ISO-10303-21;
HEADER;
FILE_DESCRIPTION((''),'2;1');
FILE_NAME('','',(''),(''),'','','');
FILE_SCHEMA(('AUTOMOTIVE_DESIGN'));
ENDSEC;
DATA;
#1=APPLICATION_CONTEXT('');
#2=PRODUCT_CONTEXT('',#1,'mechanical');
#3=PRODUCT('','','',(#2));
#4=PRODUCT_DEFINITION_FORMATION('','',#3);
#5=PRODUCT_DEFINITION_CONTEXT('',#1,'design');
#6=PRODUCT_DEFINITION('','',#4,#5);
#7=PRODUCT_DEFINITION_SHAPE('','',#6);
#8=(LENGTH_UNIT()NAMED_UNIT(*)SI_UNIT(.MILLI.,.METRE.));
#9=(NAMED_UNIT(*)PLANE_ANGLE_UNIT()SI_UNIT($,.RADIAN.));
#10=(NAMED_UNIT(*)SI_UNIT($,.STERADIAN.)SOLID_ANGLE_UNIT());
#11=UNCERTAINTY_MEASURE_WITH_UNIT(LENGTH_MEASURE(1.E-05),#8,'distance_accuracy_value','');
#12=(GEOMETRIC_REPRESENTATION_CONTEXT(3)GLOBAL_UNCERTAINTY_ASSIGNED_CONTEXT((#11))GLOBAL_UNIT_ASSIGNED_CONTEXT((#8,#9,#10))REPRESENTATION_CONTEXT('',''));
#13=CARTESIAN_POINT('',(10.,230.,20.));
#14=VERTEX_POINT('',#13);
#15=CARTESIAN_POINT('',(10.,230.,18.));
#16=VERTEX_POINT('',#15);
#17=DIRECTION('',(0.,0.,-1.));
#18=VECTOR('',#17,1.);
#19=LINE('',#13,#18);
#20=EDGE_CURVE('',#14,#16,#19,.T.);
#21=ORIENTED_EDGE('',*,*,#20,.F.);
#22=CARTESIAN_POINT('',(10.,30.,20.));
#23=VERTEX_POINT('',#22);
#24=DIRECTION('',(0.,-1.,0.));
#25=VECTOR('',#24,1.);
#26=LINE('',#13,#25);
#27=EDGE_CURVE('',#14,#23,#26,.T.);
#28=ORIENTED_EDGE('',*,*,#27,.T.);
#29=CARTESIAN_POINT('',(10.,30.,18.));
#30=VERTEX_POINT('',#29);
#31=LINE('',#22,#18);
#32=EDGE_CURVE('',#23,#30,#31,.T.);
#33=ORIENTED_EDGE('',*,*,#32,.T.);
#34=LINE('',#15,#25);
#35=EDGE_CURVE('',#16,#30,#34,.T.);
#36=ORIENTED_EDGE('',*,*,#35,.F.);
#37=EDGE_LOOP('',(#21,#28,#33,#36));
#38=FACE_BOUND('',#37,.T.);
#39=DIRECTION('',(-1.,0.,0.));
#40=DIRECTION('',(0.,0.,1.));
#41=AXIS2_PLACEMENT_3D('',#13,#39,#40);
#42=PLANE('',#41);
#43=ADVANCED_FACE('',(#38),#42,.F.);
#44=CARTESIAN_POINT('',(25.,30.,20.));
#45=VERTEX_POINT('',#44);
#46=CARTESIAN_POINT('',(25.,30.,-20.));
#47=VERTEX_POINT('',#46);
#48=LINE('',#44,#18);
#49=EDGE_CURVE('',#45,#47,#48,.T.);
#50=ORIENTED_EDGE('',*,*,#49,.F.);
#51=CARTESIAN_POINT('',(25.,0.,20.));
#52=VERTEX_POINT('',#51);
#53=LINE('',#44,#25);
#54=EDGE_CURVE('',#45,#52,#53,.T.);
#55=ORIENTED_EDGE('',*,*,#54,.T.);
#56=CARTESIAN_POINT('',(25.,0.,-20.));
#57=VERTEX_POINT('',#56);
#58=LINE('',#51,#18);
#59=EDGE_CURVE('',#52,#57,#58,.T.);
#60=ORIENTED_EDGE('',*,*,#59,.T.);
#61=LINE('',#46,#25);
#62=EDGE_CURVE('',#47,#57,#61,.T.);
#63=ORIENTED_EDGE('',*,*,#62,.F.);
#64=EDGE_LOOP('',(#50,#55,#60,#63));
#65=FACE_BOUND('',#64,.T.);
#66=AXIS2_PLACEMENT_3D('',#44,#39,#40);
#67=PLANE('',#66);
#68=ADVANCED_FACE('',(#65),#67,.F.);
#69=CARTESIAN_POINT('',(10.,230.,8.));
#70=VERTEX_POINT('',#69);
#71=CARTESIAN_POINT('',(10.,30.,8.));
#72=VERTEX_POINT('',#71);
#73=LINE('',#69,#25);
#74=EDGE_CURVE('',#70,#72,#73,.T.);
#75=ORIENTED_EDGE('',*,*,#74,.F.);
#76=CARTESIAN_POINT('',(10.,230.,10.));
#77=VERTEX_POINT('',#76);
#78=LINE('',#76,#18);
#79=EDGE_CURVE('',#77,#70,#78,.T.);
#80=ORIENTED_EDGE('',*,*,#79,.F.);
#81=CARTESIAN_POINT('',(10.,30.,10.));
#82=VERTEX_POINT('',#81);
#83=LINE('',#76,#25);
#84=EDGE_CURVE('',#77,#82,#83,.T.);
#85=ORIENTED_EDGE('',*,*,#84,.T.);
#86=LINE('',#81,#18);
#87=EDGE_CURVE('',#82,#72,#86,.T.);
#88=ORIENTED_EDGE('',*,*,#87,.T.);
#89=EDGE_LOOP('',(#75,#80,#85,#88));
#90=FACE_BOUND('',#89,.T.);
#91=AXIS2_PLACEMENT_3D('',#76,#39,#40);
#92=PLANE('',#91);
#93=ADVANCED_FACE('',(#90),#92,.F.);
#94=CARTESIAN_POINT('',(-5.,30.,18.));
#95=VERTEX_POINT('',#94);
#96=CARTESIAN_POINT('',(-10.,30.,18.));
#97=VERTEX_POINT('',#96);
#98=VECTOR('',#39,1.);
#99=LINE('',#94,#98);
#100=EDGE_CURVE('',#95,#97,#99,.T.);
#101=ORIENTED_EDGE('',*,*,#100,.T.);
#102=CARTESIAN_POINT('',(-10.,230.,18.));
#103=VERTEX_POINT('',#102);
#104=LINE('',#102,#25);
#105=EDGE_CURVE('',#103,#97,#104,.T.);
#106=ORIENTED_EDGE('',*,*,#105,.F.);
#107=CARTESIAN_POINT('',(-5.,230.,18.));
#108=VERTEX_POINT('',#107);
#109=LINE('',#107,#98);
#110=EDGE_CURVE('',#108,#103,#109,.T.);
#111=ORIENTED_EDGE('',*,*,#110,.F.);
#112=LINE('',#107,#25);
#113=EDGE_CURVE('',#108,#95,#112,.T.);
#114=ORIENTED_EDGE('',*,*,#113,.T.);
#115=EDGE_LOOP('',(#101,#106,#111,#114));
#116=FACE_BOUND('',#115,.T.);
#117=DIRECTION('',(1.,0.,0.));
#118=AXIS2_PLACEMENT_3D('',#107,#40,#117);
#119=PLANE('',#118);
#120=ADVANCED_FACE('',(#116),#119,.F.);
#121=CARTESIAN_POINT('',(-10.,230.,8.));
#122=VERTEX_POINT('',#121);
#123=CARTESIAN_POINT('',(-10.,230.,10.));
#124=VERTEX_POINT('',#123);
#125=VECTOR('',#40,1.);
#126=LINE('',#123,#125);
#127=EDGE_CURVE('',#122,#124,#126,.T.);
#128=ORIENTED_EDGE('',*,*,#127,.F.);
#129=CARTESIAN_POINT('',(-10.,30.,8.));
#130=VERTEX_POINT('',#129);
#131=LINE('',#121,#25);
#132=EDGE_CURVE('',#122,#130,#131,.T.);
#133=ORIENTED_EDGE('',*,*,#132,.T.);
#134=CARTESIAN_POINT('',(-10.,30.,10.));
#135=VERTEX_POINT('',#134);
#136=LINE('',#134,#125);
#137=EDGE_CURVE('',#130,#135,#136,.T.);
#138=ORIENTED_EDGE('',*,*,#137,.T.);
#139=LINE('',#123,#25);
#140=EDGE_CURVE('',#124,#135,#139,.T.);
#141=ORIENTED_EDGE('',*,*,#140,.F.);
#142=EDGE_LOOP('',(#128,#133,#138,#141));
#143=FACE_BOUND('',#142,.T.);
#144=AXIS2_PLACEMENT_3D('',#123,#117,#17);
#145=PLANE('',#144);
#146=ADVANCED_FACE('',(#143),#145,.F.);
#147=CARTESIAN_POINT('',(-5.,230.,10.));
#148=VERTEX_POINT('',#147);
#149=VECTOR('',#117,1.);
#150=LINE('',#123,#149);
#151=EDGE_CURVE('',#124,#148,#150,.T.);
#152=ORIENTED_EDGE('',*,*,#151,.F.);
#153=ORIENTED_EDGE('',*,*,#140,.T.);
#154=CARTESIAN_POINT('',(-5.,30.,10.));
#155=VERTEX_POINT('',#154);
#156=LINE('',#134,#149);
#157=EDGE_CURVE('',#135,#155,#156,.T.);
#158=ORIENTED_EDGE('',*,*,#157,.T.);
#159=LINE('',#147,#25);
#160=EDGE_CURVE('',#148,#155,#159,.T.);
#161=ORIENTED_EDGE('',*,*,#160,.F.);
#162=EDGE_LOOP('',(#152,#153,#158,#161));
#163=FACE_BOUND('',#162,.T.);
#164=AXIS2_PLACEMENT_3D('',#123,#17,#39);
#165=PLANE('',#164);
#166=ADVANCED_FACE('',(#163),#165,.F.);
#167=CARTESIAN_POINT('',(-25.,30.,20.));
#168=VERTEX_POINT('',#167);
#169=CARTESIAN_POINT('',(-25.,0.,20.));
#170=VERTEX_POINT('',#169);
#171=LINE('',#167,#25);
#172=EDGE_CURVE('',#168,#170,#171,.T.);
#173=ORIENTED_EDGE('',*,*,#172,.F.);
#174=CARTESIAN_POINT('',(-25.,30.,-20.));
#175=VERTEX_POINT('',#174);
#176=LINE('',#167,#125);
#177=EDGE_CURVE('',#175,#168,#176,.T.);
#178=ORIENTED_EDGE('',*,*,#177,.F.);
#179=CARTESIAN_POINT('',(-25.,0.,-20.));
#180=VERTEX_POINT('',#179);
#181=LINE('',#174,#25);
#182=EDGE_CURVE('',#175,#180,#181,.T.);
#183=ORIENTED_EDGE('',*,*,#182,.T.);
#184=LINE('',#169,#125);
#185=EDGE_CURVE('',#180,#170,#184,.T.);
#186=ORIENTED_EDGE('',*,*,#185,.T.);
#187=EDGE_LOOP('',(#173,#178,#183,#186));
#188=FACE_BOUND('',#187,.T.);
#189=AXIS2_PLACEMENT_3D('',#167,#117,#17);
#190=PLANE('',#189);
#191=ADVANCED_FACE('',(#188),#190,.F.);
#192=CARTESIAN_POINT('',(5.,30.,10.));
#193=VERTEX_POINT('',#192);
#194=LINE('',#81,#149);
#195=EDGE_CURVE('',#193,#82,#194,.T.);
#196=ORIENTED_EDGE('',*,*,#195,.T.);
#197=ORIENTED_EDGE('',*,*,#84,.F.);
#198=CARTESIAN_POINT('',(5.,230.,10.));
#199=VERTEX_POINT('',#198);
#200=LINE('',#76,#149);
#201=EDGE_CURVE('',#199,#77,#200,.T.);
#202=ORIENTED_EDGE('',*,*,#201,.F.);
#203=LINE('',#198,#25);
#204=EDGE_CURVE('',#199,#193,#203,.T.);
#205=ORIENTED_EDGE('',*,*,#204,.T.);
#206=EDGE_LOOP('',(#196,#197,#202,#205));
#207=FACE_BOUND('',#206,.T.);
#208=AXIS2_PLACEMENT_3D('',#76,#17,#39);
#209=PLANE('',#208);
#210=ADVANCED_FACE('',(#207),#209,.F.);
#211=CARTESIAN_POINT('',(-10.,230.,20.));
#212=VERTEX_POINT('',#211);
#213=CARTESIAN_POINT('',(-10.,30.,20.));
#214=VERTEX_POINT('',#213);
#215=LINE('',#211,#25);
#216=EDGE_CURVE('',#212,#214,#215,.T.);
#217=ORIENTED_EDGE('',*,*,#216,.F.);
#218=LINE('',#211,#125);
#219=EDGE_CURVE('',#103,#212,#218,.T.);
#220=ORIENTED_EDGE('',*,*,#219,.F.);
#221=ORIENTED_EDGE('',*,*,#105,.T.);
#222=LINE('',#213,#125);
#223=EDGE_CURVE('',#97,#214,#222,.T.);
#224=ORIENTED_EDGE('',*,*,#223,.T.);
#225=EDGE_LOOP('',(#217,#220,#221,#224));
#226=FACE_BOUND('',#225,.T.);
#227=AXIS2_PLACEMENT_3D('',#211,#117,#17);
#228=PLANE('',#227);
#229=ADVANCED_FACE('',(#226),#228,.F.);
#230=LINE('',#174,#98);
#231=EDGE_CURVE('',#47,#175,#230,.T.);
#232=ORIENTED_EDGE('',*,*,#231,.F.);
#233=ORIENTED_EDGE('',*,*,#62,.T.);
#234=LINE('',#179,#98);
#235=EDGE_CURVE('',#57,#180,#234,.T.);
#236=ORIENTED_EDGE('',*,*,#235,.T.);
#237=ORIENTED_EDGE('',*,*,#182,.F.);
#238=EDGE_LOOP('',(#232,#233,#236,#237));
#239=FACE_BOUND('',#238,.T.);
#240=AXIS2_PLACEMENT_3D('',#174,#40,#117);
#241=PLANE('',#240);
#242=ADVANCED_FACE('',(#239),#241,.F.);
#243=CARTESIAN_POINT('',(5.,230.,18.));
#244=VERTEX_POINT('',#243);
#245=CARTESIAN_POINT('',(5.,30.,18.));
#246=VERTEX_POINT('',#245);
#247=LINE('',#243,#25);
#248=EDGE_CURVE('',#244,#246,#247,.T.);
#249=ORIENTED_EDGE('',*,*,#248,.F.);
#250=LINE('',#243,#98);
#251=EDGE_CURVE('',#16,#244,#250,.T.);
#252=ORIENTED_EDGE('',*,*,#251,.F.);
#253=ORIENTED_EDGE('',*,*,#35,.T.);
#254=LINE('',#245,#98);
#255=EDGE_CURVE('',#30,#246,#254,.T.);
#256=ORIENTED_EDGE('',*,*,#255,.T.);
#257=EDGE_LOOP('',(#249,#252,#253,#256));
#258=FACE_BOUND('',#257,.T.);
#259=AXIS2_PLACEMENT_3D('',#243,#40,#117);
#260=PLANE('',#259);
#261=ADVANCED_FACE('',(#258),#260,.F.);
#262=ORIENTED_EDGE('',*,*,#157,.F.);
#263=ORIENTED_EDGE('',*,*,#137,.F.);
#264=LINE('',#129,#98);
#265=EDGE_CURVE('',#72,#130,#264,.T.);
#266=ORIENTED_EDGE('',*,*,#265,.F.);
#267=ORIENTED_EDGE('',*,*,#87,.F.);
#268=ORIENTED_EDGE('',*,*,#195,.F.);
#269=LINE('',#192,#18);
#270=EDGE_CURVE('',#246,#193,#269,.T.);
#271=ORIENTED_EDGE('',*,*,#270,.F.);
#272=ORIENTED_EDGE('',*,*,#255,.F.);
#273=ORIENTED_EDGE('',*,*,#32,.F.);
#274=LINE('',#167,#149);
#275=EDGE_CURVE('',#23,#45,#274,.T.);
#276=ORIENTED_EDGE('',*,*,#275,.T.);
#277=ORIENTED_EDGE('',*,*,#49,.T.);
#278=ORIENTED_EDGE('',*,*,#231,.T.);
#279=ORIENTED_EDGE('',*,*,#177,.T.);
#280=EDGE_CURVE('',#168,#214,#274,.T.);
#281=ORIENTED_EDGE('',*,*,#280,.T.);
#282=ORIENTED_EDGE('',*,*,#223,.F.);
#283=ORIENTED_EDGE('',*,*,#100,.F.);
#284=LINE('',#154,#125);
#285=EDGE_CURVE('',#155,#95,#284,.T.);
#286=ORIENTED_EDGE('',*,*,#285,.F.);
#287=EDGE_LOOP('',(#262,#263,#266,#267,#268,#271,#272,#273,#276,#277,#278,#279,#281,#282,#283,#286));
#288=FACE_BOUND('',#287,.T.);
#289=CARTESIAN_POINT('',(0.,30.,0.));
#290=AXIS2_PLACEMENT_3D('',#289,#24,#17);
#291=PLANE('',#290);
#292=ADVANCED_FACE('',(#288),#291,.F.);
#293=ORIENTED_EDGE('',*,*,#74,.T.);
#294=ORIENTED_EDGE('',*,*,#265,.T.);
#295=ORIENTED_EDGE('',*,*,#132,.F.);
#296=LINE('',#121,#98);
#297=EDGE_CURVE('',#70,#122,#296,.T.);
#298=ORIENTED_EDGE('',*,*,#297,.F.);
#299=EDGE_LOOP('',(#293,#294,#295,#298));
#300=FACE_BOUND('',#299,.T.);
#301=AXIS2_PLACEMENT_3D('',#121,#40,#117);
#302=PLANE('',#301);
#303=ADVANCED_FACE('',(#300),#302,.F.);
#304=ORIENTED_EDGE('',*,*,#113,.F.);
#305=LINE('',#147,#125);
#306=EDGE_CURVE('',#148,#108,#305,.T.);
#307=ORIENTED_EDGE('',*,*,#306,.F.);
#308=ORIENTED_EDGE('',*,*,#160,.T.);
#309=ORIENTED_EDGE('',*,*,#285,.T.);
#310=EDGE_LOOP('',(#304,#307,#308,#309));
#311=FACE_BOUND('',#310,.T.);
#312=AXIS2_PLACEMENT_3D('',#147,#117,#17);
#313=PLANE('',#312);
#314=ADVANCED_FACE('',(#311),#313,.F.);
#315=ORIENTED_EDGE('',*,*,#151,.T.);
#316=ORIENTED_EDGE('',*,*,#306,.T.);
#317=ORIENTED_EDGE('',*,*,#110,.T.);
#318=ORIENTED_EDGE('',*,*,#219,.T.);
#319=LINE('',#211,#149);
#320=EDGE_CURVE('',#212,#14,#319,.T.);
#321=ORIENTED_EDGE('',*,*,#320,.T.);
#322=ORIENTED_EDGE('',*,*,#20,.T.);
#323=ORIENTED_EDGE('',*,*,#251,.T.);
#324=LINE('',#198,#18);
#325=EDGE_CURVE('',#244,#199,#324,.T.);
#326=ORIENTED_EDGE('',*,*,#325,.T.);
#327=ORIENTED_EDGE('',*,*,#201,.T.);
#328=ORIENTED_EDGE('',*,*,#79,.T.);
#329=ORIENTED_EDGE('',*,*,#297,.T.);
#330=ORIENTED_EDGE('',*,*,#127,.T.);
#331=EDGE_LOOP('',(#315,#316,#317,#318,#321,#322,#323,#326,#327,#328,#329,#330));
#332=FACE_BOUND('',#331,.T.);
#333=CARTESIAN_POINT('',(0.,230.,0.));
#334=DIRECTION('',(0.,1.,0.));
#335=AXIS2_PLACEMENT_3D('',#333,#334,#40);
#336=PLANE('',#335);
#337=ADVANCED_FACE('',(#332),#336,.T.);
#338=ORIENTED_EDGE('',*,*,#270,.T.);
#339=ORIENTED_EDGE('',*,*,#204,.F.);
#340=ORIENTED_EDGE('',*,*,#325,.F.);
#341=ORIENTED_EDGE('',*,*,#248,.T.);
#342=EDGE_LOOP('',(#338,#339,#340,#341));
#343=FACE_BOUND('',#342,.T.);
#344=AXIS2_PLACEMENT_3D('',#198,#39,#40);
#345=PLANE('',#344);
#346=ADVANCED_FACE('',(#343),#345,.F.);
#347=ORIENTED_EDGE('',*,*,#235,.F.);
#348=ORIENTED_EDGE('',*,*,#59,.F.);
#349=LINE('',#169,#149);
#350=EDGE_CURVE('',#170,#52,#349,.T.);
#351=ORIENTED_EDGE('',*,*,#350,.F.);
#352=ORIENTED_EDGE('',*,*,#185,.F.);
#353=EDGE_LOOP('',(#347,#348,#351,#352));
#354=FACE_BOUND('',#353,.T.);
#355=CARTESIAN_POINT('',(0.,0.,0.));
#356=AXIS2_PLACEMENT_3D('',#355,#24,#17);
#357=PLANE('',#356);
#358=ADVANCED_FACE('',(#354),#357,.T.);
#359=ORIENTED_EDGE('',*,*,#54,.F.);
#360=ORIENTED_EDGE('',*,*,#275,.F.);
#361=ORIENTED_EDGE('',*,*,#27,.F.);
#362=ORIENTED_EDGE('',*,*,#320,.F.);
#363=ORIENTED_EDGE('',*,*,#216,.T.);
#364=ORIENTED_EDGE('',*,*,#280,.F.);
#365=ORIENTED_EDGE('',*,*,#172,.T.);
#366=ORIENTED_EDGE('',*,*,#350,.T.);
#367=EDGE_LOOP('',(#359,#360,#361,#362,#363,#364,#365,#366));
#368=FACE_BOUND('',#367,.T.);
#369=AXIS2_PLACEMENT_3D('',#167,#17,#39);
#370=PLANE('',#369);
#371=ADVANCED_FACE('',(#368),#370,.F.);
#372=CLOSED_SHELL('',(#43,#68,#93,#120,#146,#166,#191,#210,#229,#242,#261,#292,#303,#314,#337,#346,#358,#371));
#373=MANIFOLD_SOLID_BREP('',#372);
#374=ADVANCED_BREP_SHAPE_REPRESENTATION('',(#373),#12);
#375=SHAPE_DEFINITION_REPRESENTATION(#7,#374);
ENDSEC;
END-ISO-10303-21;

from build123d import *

# Parameters (mm, degrees)
ESQUISSE1_W        = 50
ESQUISSE1_H        = 40
BOSS_EXTRU_1_DEPTH = 30
BOSS_EXTRU_2_DEPTH = 200


with BuildPart() as part:
    # Esquisse1 → Boss.-Extru.1 (new body)
    with BuildSketch(Plane(origin=(0, 0, 0), x_dir=(1, 0, 0), z_dir=(0, 1, 0))):
        Rectangle(ESQUISSE1_W, ESQUISSE1_H)
    extrude(amount=BOSS_EXTRU_1_DEPTH)

    # Esquisse2 → Boss.-Extru.2 (add)
    with BuildSketch(Plane(origin=(0, 30, 0), x_dir=(1, 0, 0), z_dir=(0, 1, 0))):
        Polygon((-10, -20), (10, -20), (10, -18), (5, -18), (5, -10), (10, -10), (10, -8), (-10, -8), (-10, -10), (-5, -10), (-5, -18), (-10, -18), align=None)
    extrude(amount=BOSS_EXTRU_2_DEPTH)


solid = part.part
